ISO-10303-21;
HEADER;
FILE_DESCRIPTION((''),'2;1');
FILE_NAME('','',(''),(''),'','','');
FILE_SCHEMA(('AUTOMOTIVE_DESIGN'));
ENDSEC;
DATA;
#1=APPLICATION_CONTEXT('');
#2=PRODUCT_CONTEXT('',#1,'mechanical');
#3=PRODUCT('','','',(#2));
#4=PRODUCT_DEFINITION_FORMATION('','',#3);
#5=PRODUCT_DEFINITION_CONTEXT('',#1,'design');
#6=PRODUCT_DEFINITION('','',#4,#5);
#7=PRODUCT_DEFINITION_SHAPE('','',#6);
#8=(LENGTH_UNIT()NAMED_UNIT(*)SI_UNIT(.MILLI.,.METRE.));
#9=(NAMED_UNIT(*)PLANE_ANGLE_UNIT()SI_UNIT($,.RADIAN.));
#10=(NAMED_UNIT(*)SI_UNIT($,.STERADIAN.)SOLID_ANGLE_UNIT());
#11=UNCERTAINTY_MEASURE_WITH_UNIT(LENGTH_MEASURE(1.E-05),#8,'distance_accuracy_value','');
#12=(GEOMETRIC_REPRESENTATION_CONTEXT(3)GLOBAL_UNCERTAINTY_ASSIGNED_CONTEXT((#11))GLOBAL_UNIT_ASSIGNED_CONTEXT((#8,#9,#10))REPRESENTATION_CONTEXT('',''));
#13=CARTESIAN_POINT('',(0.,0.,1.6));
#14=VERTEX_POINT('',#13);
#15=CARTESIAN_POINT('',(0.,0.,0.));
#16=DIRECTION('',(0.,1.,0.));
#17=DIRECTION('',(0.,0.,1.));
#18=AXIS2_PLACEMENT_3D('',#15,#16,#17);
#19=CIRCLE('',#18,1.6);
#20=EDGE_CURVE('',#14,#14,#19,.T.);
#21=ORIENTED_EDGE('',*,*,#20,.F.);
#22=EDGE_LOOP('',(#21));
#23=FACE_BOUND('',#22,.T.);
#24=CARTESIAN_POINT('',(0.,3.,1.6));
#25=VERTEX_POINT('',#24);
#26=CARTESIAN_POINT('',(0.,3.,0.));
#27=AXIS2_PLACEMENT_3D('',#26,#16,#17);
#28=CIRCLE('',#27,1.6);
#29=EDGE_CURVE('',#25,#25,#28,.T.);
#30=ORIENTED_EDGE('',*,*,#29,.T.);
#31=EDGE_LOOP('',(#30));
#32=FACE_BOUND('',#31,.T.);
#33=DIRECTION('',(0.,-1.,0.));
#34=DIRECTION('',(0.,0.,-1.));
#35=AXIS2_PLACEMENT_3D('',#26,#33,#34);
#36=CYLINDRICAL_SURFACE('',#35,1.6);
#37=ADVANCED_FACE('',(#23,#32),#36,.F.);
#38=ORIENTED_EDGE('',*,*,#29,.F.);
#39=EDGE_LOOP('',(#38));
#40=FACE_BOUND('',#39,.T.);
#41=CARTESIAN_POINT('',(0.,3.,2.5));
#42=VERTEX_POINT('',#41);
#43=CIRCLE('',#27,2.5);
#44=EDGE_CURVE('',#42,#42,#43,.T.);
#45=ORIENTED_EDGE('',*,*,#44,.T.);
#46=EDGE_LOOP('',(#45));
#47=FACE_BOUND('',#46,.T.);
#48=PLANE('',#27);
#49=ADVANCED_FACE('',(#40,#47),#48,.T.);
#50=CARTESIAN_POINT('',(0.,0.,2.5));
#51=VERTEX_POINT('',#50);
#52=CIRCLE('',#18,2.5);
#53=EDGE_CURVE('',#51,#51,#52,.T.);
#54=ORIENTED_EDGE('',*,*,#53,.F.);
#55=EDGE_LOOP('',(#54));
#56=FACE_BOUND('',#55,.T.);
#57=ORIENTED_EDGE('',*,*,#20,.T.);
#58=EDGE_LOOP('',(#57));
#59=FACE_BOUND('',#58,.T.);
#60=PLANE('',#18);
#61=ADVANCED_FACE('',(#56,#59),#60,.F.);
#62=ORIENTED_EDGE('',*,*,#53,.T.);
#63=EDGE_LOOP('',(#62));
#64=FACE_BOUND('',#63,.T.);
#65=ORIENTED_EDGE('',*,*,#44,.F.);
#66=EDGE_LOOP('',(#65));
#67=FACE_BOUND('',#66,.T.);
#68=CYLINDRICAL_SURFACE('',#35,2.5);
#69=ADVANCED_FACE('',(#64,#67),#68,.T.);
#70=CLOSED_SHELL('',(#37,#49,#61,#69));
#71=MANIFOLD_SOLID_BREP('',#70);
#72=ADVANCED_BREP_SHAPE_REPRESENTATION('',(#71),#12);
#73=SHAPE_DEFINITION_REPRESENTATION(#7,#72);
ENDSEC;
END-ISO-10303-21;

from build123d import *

# Parameters (mm, degrees)
SKETCH1_R           = 2.5
SKETCH1_R_2         = 1.6
BOSS_EXTRUDE1_DEPTH = 3


with BuildPart() as part:
    # Sketch1 → Boss-Extrude1 (new body)
    with BuildSketch(Plane(origin=(0, 0, 0), x_dir=(1, 0, 0), z_dir=(0, 1, 0))):
        Circle(SKETCH1_R)
        Circle(SKETCH1_R_2, mode=Mode.SUBTRACT)
    extrude(amount=BOSS_EXTRUDE1_DEPTH)


solid = part.part
